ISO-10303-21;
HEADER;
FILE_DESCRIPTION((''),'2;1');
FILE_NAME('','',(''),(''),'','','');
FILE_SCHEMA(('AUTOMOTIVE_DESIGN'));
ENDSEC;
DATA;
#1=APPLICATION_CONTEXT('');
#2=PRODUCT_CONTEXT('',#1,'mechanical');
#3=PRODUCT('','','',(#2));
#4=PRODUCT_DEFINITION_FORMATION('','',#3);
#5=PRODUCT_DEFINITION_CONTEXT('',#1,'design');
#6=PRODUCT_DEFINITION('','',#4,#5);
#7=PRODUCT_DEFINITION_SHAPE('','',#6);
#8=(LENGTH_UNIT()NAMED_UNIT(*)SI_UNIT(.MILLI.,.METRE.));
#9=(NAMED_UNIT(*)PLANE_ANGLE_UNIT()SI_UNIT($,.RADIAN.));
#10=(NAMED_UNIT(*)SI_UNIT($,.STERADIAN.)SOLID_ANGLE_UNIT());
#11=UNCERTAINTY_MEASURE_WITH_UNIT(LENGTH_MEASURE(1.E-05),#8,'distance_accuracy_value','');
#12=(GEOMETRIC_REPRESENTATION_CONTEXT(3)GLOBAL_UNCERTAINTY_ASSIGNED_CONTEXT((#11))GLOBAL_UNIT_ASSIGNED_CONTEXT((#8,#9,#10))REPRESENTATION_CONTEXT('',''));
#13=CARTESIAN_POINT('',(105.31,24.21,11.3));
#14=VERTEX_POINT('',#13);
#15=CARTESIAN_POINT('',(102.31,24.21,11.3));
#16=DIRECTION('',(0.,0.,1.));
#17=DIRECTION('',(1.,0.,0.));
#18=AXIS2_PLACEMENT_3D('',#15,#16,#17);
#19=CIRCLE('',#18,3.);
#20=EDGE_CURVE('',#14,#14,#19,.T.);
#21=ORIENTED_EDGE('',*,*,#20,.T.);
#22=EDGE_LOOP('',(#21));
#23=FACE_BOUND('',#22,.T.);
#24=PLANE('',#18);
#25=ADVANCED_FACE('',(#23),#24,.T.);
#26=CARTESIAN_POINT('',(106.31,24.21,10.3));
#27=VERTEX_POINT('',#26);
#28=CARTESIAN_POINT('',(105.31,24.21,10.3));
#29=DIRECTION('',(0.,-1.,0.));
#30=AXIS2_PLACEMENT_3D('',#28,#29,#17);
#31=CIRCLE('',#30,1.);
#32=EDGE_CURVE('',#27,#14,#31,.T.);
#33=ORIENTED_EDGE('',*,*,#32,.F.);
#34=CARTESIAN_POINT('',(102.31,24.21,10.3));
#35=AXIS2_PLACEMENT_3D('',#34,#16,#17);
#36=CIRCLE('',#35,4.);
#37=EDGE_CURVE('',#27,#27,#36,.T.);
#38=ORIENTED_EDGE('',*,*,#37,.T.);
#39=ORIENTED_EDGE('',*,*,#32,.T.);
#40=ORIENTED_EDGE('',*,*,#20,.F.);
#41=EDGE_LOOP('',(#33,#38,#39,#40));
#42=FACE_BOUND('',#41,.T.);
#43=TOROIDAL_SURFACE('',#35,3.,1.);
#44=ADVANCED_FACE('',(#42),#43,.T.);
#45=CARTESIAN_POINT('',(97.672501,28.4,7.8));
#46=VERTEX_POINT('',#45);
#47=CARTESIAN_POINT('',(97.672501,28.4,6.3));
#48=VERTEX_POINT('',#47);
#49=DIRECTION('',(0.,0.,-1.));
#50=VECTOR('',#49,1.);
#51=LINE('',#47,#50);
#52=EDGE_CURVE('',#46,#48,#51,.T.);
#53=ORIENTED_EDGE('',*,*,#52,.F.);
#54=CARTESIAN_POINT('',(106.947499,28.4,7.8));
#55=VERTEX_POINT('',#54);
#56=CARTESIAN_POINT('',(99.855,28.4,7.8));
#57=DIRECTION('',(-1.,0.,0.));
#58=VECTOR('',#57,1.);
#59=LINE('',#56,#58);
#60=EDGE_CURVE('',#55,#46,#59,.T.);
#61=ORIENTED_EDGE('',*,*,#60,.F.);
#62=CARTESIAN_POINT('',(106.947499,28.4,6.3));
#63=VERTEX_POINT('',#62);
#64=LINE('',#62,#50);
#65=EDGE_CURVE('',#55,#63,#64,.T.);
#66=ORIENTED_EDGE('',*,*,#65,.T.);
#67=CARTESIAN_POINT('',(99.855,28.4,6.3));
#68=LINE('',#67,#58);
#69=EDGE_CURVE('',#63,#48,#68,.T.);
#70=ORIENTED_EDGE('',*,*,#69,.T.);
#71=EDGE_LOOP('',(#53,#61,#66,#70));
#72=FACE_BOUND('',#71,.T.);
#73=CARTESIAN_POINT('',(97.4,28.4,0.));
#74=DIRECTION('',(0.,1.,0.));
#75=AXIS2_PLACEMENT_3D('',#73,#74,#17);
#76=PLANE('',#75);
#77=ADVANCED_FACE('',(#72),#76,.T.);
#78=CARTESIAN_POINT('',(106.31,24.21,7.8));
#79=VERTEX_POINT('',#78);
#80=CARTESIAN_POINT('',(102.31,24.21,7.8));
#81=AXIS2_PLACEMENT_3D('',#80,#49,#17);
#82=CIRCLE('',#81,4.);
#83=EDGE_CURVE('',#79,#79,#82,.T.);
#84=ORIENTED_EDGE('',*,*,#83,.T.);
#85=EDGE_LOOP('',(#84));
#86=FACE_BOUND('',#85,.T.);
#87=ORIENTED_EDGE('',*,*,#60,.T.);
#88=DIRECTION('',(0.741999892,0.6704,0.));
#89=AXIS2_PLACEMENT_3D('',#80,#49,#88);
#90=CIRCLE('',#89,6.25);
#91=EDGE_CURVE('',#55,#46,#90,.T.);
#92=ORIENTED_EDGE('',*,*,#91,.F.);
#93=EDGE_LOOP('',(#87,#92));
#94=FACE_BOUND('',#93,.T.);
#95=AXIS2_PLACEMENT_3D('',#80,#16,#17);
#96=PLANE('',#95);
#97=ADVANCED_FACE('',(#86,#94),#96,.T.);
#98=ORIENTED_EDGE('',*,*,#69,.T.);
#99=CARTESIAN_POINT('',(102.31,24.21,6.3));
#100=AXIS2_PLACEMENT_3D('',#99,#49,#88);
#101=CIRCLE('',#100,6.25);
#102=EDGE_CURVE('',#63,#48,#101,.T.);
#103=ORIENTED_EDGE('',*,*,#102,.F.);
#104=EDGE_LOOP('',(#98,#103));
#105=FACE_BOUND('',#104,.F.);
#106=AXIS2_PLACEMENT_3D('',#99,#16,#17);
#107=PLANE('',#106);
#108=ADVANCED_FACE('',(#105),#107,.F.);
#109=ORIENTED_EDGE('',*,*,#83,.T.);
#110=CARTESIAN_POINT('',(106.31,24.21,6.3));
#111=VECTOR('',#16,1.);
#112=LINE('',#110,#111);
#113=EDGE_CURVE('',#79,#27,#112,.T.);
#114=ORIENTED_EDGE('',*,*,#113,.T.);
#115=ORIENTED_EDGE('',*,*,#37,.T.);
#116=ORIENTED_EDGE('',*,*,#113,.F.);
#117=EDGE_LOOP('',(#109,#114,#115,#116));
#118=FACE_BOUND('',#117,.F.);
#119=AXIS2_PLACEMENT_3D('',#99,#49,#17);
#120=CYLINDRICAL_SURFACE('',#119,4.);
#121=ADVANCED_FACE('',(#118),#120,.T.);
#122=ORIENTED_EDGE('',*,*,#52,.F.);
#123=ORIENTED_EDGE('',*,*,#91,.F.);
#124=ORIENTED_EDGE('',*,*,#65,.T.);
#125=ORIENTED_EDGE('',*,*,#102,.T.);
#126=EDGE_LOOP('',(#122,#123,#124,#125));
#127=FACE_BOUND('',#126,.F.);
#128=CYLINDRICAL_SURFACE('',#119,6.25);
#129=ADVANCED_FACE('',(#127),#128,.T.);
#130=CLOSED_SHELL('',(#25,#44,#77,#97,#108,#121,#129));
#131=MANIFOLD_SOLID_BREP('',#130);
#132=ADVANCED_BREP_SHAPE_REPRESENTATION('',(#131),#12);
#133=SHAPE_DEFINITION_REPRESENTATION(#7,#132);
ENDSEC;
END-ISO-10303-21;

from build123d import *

# Parameters (mm, degrees)
BOX117_W          = 10
BOX117_H          = 10
BOX117_DEPTH      = 10
CYLINDER013_R     = 4
CYLINDER013_DEPTH = 5
FILLET001_R       = 1
CYLINDER014_R     = 6.25
CYLINDER014_DEPTH = 1.5


with BuildPart() as cube107:
    # Box117 → Box117 (new body)
    with BuildSketch(Plane(origin=(97.4, 28.4, 0), x_dir=(1, 0, 0), z_dir=(0, 0, 1))):
        with Locations((5, 5)):
            Rectangle(BOX117_W, BOX117_H)
    extrude(amount=BOX117_DEPTH)


with BuildPart() as btn1_top:
    # Cylinder013 → Cylinder013 (new body)
    with BuildSketch(Plane(origin=(120.31, 24.21, 6.3), x_dir=(1, 0, 0), z_dir=(0, 0, 1))):
        Circle(CYLINDER013_R)
    extrude(amount=CYLINDER013_DEPTH)

    # Fillet001
    fillet001_edges = [btn1_top.edges().sort_by_distance(p)[0] for p in [
        (116.31, 24.21, 11.3),
    ]]
    fillet(fillet001_edges, radius=FILLET001_R)


with BuildPart() as cut073:
    # Cylinder014 → Cylinder014 (new body)
    with BuildSketch(Plane(origin=(120.31, 24.21, 6.3), x_dir=(1, 0, 0), z_dir=(0, 0, 1))):
        Circle(CYLINDER014_R)
    extrude(amount=CYLINDER014_DEPTH)

    # Fusion013: union Btn1_Top
    add(btn1_top.part)


with BuildPart() as cut073_1:
    # Fusion013 placement: moved
    add(cut073.part.moved(Location((-18, 0, 0))))

    # Cut073: cut Cube107
    add(cube107.part, mode=Mode.SUBTRACT)


solid = cut073_1.part
